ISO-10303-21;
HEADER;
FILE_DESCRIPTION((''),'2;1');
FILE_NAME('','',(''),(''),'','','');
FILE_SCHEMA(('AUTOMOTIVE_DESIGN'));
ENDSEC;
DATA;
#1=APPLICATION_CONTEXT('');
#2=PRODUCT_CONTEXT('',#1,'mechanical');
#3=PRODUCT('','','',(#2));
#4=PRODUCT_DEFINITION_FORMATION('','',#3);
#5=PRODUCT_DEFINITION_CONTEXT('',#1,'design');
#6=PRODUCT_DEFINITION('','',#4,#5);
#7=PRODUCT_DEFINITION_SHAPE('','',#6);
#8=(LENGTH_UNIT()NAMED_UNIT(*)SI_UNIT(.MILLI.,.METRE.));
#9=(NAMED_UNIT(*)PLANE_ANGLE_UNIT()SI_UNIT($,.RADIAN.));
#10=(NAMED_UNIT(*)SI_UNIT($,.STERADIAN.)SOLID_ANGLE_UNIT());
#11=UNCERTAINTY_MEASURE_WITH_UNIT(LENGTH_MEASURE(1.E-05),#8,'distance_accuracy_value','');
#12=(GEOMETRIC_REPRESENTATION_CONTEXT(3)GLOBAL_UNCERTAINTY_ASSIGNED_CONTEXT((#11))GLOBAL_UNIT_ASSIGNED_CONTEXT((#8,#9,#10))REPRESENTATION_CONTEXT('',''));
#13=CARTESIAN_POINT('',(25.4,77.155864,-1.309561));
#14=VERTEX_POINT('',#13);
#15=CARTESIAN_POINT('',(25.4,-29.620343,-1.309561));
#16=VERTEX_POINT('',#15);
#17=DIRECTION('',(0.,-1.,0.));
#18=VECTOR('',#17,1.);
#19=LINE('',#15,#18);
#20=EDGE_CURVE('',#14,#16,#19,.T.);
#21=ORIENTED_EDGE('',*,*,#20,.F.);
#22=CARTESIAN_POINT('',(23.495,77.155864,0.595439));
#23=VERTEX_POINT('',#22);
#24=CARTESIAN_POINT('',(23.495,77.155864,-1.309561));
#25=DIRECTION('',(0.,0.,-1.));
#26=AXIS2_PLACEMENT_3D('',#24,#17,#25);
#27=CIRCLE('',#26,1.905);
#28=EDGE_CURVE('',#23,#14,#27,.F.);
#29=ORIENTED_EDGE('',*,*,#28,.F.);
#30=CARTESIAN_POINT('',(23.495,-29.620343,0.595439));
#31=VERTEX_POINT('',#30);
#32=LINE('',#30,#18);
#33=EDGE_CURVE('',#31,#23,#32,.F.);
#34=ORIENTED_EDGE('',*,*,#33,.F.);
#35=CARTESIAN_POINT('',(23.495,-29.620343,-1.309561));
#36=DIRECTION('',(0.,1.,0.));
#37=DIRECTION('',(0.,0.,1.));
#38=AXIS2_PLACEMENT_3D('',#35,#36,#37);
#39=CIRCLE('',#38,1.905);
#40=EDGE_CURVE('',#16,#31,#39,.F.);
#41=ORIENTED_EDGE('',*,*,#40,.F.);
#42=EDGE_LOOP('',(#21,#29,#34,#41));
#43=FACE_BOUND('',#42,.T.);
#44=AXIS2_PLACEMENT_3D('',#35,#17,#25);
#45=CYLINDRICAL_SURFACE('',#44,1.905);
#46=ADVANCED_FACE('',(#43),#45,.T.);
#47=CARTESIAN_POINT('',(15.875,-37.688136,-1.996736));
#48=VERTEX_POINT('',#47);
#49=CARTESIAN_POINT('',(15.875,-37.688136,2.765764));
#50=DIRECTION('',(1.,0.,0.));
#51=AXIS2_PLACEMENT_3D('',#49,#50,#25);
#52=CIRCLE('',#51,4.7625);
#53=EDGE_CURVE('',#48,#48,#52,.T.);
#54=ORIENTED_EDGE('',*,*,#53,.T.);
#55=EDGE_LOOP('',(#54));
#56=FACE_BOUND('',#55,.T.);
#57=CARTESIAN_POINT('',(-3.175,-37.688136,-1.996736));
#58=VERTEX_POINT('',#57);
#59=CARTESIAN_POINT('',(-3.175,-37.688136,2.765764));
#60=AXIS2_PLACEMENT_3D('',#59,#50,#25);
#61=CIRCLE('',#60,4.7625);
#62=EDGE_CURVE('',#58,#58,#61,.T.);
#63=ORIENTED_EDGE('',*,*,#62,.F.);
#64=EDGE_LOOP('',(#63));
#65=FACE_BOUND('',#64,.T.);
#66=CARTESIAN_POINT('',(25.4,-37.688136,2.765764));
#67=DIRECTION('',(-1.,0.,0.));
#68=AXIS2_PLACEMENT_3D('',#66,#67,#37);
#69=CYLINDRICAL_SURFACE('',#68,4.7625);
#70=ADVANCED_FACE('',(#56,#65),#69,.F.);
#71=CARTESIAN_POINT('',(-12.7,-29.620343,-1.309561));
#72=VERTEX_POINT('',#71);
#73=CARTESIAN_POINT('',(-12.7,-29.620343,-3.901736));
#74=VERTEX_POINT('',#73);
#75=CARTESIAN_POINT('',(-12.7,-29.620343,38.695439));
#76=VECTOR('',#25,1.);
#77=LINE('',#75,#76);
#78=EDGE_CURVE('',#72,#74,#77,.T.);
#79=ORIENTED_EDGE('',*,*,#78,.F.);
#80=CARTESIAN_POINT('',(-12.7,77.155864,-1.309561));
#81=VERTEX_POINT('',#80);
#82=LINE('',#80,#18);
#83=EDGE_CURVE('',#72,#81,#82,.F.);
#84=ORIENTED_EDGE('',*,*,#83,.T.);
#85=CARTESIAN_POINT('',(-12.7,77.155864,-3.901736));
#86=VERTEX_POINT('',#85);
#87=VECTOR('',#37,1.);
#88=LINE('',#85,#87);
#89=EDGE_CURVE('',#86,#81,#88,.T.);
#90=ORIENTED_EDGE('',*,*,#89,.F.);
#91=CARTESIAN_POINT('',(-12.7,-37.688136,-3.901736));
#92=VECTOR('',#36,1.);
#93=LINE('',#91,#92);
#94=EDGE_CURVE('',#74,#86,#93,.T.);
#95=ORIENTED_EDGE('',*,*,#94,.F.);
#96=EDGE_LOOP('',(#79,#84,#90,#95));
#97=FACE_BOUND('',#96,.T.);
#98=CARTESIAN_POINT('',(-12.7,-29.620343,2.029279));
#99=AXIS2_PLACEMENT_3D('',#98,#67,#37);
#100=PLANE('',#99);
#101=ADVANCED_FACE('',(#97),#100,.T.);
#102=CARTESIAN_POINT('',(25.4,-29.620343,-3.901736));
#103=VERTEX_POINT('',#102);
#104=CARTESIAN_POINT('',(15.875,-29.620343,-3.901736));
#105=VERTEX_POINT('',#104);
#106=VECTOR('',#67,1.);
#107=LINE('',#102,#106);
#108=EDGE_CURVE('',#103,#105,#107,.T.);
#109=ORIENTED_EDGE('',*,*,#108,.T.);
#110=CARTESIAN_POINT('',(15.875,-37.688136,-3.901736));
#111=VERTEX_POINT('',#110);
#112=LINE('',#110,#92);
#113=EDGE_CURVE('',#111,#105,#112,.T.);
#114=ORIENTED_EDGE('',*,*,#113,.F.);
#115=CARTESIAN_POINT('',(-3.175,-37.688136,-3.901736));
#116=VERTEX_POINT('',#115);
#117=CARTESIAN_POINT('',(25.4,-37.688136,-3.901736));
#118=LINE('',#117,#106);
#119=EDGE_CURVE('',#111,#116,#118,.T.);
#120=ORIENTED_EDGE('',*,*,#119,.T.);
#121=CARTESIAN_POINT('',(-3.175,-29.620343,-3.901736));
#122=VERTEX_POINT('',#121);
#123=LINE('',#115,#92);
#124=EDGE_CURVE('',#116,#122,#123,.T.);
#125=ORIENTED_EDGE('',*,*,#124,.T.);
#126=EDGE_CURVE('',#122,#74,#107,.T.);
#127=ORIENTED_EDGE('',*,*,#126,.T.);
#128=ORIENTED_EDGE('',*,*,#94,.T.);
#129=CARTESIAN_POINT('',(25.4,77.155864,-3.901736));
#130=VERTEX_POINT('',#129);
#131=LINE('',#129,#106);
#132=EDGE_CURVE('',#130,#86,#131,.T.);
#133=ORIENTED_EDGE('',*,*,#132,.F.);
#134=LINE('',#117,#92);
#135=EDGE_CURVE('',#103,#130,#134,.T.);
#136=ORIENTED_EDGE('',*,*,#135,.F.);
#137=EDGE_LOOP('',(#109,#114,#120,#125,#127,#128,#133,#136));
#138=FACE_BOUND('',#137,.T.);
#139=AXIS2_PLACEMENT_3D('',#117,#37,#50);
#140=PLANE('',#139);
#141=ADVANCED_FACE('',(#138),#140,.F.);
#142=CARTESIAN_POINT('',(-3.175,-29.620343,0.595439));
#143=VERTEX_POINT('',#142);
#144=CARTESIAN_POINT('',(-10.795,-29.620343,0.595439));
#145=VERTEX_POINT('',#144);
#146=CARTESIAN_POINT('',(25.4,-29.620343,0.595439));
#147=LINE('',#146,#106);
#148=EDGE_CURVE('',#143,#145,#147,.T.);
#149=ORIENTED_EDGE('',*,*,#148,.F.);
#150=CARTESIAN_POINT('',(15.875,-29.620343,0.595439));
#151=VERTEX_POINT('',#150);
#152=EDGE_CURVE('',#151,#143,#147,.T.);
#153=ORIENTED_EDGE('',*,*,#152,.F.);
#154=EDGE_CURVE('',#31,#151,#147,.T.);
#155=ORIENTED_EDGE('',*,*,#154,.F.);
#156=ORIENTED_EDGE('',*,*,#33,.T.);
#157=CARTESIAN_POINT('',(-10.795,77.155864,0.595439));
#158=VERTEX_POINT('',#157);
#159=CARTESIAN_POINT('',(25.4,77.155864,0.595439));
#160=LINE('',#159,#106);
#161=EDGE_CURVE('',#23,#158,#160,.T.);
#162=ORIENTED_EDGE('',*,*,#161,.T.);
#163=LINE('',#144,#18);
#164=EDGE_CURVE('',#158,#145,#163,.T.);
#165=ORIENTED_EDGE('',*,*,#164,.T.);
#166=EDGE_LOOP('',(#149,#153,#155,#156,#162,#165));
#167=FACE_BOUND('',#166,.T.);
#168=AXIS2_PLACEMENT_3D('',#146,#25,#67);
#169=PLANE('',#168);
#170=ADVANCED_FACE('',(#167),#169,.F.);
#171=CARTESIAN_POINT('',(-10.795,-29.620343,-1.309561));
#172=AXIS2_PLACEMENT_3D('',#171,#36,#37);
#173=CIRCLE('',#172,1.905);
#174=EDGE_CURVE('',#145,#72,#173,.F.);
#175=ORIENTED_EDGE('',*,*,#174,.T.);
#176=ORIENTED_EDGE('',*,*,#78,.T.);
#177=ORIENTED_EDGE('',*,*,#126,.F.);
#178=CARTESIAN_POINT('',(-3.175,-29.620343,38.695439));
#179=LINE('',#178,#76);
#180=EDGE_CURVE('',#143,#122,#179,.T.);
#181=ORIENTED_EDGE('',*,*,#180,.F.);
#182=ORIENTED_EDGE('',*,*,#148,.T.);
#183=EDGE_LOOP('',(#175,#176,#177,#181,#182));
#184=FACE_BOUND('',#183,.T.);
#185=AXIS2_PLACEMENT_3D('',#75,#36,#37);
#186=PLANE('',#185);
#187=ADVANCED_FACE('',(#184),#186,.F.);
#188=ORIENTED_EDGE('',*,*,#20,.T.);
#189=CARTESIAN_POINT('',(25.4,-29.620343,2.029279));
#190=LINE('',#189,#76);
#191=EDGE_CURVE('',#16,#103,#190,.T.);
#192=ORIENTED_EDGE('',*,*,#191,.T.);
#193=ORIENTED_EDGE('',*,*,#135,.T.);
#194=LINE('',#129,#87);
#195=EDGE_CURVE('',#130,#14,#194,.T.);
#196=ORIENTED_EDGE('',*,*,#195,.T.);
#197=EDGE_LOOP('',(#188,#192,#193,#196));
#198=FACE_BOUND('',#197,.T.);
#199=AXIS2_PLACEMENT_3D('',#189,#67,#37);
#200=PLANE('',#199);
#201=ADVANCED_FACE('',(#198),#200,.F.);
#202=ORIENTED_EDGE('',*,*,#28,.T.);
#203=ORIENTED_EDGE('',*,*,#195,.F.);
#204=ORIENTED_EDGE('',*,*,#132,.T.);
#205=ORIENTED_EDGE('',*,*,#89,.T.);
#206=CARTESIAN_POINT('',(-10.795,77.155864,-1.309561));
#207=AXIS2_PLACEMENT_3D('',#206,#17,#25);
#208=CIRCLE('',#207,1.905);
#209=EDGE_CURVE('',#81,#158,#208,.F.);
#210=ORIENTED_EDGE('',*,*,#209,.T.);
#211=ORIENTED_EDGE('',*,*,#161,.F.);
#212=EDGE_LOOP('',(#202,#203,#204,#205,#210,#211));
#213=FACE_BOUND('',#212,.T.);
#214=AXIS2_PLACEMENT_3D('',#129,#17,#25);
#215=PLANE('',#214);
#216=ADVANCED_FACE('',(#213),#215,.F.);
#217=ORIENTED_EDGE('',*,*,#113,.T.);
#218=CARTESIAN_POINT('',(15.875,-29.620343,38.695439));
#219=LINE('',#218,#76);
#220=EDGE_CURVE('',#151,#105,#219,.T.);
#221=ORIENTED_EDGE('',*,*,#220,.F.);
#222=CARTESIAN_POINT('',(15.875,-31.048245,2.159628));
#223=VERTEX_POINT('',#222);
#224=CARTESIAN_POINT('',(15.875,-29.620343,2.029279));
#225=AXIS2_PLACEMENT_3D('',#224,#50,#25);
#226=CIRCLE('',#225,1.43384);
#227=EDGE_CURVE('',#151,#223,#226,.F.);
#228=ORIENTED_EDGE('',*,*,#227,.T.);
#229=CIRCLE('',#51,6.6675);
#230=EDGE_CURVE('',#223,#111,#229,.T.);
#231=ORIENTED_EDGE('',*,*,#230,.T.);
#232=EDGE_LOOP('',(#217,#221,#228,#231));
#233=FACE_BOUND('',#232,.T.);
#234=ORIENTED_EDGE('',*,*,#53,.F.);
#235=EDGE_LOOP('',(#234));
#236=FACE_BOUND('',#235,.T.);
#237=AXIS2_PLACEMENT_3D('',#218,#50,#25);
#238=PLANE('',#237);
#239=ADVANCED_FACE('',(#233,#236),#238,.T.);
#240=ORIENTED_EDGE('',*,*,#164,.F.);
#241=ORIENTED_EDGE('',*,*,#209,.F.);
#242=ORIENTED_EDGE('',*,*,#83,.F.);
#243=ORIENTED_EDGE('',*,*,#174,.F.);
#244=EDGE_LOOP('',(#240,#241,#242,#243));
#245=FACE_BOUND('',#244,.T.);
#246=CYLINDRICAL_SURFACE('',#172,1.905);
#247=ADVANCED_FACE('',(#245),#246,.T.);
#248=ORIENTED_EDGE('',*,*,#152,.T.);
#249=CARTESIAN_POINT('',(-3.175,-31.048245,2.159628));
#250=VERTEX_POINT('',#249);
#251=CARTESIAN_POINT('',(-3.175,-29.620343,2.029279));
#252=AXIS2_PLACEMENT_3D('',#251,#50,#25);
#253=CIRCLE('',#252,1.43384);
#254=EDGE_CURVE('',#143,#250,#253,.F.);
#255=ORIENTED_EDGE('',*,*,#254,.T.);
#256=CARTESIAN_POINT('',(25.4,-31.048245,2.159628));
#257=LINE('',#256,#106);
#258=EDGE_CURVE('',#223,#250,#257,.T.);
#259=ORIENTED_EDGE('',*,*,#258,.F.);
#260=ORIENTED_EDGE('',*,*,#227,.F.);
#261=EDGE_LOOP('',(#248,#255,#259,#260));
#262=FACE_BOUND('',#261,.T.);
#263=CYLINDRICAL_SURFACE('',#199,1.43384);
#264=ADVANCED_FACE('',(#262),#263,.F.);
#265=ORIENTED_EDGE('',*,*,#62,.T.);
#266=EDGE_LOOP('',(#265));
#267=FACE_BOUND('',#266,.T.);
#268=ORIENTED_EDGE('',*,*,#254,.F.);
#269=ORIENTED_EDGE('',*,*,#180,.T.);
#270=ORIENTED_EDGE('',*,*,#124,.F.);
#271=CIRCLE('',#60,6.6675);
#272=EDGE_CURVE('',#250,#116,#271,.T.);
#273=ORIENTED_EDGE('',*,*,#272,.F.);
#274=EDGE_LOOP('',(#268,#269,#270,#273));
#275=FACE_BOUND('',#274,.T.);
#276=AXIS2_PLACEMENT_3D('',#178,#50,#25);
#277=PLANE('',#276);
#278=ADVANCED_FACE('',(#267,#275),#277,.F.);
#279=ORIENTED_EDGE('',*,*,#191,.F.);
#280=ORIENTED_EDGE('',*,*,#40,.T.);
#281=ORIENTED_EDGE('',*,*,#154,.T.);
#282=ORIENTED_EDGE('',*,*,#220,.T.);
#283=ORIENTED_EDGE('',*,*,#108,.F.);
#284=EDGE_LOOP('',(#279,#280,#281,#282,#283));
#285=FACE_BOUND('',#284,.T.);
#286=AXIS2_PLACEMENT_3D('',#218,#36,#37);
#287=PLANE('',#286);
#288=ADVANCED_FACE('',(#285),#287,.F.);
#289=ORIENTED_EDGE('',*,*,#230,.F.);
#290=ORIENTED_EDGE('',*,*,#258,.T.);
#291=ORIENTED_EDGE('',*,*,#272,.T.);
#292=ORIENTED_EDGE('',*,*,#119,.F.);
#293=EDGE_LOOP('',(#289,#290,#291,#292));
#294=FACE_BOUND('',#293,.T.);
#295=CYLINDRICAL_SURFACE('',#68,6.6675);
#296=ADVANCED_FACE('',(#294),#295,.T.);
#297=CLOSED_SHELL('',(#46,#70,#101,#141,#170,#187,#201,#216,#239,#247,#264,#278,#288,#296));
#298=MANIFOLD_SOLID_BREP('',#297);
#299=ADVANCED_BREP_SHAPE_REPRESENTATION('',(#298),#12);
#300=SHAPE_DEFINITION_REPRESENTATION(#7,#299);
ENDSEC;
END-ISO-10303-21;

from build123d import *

# Parameters (mm, degrees)
SKETCH2_R               = 1.5875
BOSS_EXTRUDE1_DEPTH     = 12.7
CUT_EXTRUDE3_DEPTH      = 12.7
CUT_EXTRUDE3_DEPTH_BACK = 12.7
SKETCH4_W               = 3.175
SKETCH4_H               = 5.378529074
SKETCH4_W_2             = 3.429175225
FILLET4_R               = 0.635
SCALE1_SCALE            = 3


with BuildPart() as part:
    # Sketch2 → Boss-Extrude1 (new body)
    with BuildSketch(Plane(origin=(0, 0, 0), x_dir=(0, 0, -1), z_dir=(1, 0, 0))):
        with BuildLine():
            Line((0.7234417, 2.689264537), (0.7234417, 38.281333312))
            Line((0.7234417, 38.281333312), (2.2225, 38.281333312))
            Line((2.2225, 38.281333312), (2.2225, 0))
            ThreePointArc((2.2225, 0), (-1.641425032, -1.498409194), (0.202045455, 2.213297062))
            ThreePointArc((0.202045455, 2.213297062), (0.567726646, 2.33627761), (0.7234417, 2.689264537))
        make_face()
        Circle(SKETCH2_R, mode=Mode.SUBTRACT)
    extrude(amount=BOSS_EXTRUDE1_DEPTH)

    # Sketch4 → Cut-Extrude3 (cut, two sides: drawn at the far end of the back side and taken through both)
    with BuildSketch(Plane.XY.offset(-0.7234417).offset(-CUT_EXTRUDE3_DEPTH_BACK)):
        with Locations((1.5875, 0)):
            Rectangle(SKETCH4_W, SKETCH4_H)
        with Locations((11.239587612, 0)):
            Rectangle(SKETCH4_W_2, SKETCH4_H)
    extrude(amount=CUT_EXTRUDE3_DEPTH + CUT_EXTRUDE3_DEPTH_BACK, mode=Mode.SUBTRACT)

    # Fillet4
    fillet4_edges = [part.edges().sort_by_distance(p)[0] for p in [
        (12.7, 20.485298925, -0.7234417),
        (0, 20.485298925, -0.7234417),
    ]]
    fillet(fillet4_edges, radius=FILLET4_R)


with BuildPart() as part_1:
    # Scale1: scaled about (6.35, 18.844068161, -1.382882034)
    add(part.part.scale(SCALE1_SCALE).moved(Location((-12.7, -37.688136322, 2.765764068))))


solid = part_1.part
